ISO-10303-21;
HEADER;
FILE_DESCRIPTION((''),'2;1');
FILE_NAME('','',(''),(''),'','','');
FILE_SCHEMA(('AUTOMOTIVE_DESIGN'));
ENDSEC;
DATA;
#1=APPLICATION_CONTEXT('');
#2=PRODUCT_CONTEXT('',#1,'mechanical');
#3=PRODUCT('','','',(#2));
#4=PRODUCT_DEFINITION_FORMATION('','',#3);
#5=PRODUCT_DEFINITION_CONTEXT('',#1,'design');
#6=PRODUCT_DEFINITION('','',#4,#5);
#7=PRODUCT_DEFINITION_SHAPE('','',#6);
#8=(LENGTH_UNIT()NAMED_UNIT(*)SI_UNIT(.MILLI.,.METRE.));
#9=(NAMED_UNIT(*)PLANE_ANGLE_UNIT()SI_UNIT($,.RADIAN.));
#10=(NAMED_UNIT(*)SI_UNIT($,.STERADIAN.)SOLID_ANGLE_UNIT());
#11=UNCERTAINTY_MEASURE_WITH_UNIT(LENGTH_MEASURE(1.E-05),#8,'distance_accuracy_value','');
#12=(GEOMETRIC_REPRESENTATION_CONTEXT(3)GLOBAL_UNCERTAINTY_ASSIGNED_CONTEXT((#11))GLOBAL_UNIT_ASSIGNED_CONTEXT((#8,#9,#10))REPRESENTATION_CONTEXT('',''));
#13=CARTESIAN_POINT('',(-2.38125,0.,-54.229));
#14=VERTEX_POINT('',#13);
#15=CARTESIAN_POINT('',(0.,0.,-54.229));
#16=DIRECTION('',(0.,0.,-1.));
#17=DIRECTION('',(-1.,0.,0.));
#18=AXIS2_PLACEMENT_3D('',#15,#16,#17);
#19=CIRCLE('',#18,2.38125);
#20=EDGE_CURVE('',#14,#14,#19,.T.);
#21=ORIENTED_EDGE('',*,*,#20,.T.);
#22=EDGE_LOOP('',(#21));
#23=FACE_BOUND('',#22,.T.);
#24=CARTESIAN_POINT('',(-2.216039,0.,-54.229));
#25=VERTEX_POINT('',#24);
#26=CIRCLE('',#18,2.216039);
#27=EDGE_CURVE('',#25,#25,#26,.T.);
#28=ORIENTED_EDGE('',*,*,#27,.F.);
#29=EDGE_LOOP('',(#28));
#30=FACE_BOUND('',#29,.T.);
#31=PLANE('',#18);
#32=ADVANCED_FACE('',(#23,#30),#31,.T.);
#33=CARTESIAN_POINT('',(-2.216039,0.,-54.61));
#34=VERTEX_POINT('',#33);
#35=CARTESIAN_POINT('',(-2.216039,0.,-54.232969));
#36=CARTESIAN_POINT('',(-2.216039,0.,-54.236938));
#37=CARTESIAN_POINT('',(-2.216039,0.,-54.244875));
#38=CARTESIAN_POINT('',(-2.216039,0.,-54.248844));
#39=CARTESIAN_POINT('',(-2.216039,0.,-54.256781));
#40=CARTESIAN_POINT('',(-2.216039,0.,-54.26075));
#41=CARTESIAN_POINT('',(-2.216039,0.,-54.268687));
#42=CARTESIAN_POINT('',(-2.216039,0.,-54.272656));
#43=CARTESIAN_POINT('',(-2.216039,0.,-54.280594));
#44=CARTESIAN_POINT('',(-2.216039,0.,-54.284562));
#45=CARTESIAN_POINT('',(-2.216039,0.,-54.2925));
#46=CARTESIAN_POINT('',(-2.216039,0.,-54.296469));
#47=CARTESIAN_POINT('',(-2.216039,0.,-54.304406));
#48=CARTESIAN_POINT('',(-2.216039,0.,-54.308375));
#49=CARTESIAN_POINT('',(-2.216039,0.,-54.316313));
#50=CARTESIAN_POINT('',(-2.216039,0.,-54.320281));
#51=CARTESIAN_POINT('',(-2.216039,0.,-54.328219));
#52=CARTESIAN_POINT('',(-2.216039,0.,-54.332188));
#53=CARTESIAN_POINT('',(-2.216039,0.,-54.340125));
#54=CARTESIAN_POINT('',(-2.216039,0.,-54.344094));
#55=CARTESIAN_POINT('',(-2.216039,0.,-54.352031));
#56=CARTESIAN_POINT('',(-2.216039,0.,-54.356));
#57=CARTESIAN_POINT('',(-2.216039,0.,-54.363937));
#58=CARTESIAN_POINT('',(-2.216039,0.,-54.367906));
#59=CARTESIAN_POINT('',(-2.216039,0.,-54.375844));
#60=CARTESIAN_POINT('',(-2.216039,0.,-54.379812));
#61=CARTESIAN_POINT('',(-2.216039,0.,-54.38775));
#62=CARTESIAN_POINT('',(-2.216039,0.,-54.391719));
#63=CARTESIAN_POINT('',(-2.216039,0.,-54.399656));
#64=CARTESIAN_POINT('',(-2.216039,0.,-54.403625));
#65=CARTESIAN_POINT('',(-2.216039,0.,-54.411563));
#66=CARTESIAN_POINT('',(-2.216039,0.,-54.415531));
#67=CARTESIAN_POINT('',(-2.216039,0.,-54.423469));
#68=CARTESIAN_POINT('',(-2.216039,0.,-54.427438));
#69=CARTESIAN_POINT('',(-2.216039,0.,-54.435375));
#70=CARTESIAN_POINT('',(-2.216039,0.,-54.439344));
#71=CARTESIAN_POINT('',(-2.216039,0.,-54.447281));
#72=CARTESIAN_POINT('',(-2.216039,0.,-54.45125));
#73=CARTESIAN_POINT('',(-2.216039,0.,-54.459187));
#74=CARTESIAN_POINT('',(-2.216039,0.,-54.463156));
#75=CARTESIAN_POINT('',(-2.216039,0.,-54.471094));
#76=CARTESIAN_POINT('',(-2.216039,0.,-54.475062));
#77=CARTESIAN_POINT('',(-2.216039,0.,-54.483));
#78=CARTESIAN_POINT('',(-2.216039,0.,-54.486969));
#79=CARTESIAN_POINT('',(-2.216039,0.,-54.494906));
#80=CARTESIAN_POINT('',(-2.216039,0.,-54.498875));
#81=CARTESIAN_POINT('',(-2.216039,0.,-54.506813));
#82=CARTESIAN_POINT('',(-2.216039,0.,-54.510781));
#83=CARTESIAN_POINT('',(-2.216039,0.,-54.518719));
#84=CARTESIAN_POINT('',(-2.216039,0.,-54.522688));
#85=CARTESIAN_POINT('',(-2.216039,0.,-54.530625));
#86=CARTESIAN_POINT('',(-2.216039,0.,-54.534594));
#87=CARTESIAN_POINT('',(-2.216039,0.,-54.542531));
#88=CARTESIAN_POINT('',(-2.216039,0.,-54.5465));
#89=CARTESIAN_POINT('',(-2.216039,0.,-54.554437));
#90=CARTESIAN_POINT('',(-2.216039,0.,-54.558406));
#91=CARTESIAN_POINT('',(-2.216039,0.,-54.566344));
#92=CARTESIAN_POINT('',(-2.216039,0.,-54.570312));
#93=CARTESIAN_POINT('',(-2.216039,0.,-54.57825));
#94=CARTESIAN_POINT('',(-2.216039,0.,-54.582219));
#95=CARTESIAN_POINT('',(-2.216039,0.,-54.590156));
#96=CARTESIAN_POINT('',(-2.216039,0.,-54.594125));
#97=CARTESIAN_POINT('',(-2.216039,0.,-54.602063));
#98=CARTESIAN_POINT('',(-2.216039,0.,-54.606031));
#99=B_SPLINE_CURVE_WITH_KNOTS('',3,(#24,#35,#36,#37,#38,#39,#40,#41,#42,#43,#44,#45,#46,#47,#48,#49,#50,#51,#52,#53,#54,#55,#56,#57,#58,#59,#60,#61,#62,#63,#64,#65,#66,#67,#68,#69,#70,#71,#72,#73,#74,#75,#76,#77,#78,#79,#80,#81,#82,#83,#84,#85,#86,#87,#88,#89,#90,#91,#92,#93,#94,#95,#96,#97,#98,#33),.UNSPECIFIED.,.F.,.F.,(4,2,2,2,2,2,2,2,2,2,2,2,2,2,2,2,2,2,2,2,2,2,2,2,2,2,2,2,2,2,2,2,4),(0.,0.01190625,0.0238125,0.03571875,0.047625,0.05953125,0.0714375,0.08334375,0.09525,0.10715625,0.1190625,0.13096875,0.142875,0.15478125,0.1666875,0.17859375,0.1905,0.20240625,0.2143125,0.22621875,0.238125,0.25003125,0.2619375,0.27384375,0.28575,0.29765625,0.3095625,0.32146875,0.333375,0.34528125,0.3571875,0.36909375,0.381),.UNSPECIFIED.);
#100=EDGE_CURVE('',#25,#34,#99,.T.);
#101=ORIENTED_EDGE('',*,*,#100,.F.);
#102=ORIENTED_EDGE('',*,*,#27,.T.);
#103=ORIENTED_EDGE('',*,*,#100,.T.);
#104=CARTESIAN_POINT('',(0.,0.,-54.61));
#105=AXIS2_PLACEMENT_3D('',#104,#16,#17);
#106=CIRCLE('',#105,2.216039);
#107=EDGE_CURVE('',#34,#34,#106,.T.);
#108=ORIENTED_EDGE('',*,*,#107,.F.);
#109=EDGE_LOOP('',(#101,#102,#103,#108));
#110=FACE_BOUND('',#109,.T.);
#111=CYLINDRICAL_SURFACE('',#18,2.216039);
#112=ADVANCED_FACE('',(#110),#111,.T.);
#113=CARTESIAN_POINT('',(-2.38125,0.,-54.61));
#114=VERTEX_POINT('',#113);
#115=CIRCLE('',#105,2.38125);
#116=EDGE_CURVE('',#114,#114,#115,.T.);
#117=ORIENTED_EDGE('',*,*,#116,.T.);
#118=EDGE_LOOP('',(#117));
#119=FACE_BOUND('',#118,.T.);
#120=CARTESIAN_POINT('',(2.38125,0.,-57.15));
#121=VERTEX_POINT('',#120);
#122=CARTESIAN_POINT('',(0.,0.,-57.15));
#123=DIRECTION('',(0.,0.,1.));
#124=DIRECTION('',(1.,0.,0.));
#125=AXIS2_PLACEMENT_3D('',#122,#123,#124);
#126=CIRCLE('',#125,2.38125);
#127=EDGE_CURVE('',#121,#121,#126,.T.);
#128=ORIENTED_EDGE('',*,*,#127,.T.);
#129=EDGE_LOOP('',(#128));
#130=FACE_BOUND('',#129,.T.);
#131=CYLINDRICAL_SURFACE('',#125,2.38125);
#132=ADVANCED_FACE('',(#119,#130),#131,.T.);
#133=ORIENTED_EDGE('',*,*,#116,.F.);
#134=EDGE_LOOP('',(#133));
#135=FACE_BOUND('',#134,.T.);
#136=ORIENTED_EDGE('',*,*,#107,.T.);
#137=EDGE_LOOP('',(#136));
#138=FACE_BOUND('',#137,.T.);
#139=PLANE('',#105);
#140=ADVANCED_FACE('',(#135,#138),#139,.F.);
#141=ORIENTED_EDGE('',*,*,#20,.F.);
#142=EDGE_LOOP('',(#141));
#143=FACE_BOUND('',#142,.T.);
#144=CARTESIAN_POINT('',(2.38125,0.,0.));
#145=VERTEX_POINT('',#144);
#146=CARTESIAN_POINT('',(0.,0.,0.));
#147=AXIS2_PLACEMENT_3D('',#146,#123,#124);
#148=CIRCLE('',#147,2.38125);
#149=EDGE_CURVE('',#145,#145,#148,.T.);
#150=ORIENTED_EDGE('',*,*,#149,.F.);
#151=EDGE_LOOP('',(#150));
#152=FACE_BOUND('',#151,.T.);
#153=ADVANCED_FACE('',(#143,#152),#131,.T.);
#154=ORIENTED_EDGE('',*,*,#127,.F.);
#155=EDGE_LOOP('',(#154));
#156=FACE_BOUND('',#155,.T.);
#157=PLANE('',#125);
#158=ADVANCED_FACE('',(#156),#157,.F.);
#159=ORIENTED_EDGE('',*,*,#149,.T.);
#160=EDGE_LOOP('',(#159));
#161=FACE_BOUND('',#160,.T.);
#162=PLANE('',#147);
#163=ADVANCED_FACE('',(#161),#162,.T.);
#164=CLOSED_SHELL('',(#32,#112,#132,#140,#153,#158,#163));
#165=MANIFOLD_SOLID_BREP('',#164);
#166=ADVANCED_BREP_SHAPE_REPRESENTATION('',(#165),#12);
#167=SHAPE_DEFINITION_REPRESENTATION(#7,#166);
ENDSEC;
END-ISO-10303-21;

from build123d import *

# Parameters (mm, degrees)
SKETCH1_R           = 2.38125
BOSS_EXTRUDE1_DEPTH = 57.15
CUT_EXTRUDE2_START  = -2.921
SKETCH4_R           = 2.38125
SKETCH4_R_2         = 2.216039323
CUT_EXTRUDE2_DEPTH  = 0.381


with BuildPart() as part:
    # Sketch1 → Boss-Extrude1 (new body)
    with BuildSketch(Plane.XY):
        Circle(SKETCH1_R)
    extrude(amount=-BOSS_EXTRUDE1_DEPTH)

    # Sketch4 → Cut-Extrude2 (cut)
    with BuildSketch(Plane(origin=(0, 0, -57.15), x_dir=(-1, 0, 0), z_dir=(0, 0, -1)).offset(CUT_EXTRUDE2_START)):
        with Locations(Location((0, 0, 0), (0, 0, 180))):
            Circle(SKETCH4_R)
        Circle(SKETCH4_R_2, mode=Mode.SUBTRACT)
    extrude(amount=CUT_EXTRUDE2_DEPTH, mode=Mode.SUBTRACT)


solid = part.part
